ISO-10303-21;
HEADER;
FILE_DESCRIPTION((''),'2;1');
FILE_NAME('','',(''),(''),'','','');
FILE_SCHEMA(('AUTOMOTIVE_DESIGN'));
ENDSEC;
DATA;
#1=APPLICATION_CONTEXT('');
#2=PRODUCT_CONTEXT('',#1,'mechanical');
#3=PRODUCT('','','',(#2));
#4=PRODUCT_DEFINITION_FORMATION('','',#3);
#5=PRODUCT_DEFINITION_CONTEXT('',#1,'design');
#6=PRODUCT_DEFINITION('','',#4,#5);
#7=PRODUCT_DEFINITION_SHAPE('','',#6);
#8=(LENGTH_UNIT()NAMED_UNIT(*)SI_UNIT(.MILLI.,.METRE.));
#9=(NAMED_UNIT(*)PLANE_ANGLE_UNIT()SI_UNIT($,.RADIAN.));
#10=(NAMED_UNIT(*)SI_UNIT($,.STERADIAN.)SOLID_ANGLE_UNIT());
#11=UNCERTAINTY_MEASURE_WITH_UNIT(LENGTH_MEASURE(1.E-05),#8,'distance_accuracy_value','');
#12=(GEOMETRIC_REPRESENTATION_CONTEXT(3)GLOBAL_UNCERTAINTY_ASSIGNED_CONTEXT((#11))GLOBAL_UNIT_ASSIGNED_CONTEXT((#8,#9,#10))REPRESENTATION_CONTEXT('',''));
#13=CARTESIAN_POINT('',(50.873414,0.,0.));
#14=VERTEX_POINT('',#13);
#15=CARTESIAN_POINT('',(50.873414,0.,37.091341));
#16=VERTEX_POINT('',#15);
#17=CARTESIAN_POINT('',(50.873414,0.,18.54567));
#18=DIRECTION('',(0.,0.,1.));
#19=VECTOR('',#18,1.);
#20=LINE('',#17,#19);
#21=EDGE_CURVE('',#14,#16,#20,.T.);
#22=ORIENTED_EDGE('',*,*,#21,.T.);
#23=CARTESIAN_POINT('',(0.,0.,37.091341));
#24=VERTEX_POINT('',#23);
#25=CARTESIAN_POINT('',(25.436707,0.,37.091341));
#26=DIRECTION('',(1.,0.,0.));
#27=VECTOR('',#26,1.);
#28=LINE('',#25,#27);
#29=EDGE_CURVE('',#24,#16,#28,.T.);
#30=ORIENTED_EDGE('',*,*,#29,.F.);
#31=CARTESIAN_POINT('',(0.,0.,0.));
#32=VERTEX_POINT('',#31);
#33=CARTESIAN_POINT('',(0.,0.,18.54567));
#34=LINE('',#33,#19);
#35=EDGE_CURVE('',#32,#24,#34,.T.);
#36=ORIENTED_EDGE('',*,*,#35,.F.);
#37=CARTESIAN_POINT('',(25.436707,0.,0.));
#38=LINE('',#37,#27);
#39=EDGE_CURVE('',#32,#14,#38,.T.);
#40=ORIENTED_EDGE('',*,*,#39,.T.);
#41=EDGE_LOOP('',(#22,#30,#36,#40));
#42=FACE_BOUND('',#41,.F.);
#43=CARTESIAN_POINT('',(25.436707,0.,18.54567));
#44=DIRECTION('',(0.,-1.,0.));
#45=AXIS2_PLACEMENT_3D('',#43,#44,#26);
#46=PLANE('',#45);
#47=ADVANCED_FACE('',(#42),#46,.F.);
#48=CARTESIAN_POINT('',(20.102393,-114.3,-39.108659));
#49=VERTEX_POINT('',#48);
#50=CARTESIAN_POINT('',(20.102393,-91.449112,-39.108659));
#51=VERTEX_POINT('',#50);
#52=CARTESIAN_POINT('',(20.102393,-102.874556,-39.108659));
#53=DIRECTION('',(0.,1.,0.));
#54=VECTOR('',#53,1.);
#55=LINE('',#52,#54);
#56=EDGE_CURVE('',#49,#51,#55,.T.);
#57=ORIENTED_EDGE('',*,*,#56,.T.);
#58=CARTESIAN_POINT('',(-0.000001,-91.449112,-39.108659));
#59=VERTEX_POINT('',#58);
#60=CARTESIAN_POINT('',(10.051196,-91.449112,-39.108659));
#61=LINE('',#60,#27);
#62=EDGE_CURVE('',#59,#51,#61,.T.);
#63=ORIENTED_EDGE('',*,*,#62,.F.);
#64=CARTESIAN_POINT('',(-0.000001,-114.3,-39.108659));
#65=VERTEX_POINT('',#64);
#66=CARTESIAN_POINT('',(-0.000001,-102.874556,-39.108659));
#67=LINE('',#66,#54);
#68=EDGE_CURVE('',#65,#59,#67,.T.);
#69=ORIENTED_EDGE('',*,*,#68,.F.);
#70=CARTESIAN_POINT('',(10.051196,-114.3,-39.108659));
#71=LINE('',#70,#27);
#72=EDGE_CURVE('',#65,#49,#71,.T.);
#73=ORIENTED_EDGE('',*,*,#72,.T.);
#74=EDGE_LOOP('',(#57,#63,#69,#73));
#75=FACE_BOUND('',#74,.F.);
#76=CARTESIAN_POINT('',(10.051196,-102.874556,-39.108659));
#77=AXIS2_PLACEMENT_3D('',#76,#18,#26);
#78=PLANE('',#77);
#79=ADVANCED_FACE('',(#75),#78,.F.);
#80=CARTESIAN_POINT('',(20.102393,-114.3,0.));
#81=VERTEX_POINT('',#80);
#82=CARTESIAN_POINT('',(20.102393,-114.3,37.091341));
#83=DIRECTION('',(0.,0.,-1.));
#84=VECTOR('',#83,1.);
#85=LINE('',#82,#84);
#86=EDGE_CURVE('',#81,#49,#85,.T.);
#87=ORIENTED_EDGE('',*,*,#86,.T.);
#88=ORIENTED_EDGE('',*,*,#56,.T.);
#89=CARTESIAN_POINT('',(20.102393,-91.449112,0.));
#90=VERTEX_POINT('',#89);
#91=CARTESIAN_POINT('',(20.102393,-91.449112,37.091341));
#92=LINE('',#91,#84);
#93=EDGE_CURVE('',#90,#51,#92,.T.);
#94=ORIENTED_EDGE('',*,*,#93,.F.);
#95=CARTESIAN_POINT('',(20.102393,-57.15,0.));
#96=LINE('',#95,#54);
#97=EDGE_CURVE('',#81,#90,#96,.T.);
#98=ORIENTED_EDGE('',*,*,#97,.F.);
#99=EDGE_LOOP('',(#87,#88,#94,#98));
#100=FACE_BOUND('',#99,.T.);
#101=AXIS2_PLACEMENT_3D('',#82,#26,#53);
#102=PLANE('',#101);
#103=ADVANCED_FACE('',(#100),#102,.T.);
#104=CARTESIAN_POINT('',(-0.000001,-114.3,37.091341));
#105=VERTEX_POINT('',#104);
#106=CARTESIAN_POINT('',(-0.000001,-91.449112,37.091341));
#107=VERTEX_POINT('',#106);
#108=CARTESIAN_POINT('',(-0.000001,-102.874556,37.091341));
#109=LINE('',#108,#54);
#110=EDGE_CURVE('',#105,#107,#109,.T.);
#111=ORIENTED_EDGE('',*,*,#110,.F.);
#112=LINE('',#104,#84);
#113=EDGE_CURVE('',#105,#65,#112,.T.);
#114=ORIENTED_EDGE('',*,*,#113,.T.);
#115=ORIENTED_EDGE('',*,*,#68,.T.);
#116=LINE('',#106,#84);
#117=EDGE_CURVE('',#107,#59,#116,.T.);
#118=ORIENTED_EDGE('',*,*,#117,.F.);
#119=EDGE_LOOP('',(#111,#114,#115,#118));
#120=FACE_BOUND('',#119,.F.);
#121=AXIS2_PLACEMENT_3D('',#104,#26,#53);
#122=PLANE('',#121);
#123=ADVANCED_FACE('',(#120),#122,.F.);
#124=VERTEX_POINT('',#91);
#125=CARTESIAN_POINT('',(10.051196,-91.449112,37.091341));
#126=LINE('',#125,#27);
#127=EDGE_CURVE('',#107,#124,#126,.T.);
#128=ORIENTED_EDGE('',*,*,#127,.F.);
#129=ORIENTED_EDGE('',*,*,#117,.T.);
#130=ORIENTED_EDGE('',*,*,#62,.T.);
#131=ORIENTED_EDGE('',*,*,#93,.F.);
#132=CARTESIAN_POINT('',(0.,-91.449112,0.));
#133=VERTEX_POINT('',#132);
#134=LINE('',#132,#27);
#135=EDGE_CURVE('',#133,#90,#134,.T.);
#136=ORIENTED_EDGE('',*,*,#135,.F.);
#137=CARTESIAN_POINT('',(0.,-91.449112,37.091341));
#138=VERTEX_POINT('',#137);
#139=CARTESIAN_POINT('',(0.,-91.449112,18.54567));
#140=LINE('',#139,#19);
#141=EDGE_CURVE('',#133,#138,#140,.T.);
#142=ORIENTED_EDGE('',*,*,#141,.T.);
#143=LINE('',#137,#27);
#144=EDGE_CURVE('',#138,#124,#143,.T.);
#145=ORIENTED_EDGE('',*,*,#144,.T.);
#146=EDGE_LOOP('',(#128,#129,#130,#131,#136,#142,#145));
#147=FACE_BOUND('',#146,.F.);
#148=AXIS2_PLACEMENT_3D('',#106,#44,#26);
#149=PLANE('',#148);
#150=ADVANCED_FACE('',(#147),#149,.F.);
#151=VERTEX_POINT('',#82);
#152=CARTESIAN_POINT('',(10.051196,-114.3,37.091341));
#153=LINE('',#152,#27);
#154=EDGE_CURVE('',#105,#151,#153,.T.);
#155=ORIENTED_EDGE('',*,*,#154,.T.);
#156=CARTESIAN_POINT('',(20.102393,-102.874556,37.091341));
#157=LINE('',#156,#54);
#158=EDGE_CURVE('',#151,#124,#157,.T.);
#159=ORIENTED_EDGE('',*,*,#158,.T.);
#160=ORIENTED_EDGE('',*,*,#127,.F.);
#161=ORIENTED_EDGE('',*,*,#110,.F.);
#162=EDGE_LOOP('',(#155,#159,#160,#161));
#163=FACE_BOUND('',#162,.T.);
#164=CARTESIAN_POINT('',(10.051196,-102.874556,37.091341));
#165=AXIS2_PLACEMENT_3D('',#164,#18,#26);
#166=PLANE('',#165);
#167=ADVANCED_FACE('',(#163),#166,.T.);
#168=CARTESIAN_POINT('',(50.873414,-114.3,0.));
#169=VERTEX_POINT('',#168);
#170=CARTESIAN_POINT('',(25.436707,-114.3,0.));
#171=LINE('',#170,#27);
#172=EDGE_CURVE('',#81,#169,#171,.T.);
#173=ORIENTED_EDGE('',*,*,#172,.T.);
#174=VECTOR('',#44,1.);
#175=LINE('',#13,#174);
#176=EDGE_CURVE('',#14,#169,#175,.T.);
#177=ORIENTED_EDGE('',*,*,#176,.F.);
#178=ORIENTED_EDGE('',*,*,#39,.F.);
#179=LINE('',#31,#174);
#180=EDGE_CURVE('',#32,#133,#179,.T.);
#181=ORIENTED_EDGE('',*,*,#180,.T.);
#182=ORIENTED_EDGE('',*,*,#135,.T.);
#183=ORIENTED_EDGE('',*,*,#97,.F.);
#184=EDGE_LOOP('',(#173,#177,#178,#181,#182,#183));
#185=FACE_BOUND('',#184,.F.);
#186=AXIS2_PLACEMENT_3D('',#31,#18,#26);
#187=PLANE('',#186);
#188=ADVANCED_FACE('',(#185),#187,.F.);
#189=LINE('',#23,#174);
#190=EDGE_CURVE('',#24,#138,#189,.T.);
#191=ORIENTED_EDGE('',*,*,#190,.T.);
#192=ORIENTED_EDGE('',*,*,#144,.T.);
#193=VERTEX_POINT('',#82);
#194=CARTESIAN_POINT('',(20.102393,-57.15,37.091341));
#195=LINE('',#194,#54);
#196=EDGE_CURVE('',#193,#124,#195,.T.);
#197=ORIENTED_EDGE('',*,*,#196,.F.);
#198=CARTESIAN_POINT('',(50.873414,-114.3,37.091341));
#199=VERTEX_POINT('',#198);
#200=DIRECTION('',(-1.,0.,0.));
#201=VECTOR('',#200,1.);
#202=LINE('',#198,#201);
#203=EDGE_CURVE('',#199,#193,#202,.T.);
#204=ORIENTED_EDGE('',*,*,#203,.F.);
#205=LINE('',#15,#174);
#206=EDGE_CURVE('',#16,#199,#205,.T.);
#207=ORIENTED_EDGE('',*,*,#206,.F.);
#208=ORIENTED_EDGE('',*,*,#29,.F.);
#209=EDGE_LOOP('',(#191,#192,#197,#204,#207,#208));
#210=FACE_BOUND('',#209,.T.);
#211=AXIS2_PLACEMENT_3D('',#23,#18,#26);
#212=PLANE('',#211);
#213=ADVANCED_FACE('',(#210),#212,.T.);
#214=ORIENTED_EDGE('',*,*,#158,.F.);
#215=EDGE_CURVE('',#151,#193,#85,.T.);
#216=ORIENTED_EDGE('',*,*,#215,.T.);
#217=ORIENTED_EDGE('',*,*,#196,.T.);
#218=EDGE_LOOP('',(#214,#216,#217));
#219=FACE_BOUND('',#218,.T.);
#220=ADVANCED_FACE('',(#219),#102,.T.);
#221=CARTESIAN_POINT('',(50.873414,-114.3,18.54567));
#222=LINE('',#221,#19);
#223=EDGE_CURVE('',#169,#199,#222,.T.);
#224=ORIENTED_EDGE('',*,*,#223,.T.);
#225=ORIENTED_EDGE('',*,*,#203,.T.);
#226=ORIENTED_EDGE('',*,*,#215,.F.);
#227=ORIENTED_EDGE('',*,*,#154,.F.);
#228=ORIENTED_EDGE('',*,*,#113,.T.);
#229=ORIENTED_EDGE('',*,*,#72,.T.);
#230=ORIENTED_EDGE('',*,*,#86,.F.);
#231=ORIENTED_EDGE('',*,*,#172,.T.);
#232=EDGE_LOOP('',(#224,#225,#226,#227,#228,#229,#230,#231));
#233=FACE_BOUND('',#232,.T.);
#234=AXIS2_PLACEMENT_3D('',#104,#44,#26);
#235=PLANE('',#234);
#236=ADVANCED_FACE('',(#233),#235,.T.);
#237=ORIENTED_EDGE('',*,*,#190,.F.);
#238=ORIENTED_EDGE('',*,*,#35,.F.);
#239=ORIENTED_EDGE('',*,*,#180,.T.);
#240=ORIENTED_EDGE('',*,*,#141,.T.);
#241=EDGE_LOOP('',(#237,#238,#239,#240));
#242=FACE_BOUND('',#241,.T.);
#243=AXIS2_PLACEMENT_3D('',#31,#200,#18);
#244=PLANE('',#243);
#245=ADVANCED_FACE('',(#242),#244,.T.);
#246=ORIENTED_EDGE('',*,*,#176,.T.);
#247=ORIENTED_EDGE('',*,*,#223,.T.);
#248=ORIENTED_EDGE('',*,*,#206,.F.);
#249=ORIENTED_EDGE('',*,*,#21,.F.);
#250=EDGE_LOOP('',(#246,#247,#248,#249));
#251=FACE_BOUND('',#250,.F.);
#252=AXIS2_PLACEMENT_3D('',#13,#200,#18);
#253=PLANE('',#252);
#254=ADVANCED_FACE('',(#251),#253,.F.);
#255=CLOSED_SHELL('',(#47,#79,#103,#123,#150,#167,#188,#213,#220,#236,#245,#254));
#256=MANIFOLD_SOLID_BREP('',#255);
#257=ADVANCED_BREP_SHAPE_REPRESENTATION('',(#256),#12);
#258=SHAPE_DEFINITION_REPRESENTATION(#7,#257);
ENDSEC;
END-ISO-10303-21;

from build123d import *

# Parameters (mm, degrees)
F0_W     = 50.873414
F0_H     = 37.091341
F1_DEPTH = 114.3
F2_W     = 20.102393
F2_H     = 22.850888
F3_DEPTH = 76.2
F4_W     = 12.826613
F4_H     = 22.823585
F6_DEPTH = 5.08


with BuildPart() as f1:
    # F0 (on Front) → F1 (new body)
    with BuildSketch(Plane.XZ):
        with Locations((25.436707, 18.54567)):
            Rectangle(F0_W, F0_H)
    extrude(amount=F1_DEPTH)

    # F2 (on face) → F3 (join)
    with BuildSketch(Plane.XY.offset(37.091341)):
        with Locations((10.051196, -102.874556)):
            Rectangle(F2_W, F2_H)
    extrude(amount=-F3_DEPTH)

    # F4 (on face) → F6 (join)
    with BuildSketch(Plane.XZ.offset(114.3)):
        with Locations((26.705557, 25.679548)):
            Rectangle(F4_W, F4_H)
    extrude(amount=-F6_DEPTH)


solid = f1.part
